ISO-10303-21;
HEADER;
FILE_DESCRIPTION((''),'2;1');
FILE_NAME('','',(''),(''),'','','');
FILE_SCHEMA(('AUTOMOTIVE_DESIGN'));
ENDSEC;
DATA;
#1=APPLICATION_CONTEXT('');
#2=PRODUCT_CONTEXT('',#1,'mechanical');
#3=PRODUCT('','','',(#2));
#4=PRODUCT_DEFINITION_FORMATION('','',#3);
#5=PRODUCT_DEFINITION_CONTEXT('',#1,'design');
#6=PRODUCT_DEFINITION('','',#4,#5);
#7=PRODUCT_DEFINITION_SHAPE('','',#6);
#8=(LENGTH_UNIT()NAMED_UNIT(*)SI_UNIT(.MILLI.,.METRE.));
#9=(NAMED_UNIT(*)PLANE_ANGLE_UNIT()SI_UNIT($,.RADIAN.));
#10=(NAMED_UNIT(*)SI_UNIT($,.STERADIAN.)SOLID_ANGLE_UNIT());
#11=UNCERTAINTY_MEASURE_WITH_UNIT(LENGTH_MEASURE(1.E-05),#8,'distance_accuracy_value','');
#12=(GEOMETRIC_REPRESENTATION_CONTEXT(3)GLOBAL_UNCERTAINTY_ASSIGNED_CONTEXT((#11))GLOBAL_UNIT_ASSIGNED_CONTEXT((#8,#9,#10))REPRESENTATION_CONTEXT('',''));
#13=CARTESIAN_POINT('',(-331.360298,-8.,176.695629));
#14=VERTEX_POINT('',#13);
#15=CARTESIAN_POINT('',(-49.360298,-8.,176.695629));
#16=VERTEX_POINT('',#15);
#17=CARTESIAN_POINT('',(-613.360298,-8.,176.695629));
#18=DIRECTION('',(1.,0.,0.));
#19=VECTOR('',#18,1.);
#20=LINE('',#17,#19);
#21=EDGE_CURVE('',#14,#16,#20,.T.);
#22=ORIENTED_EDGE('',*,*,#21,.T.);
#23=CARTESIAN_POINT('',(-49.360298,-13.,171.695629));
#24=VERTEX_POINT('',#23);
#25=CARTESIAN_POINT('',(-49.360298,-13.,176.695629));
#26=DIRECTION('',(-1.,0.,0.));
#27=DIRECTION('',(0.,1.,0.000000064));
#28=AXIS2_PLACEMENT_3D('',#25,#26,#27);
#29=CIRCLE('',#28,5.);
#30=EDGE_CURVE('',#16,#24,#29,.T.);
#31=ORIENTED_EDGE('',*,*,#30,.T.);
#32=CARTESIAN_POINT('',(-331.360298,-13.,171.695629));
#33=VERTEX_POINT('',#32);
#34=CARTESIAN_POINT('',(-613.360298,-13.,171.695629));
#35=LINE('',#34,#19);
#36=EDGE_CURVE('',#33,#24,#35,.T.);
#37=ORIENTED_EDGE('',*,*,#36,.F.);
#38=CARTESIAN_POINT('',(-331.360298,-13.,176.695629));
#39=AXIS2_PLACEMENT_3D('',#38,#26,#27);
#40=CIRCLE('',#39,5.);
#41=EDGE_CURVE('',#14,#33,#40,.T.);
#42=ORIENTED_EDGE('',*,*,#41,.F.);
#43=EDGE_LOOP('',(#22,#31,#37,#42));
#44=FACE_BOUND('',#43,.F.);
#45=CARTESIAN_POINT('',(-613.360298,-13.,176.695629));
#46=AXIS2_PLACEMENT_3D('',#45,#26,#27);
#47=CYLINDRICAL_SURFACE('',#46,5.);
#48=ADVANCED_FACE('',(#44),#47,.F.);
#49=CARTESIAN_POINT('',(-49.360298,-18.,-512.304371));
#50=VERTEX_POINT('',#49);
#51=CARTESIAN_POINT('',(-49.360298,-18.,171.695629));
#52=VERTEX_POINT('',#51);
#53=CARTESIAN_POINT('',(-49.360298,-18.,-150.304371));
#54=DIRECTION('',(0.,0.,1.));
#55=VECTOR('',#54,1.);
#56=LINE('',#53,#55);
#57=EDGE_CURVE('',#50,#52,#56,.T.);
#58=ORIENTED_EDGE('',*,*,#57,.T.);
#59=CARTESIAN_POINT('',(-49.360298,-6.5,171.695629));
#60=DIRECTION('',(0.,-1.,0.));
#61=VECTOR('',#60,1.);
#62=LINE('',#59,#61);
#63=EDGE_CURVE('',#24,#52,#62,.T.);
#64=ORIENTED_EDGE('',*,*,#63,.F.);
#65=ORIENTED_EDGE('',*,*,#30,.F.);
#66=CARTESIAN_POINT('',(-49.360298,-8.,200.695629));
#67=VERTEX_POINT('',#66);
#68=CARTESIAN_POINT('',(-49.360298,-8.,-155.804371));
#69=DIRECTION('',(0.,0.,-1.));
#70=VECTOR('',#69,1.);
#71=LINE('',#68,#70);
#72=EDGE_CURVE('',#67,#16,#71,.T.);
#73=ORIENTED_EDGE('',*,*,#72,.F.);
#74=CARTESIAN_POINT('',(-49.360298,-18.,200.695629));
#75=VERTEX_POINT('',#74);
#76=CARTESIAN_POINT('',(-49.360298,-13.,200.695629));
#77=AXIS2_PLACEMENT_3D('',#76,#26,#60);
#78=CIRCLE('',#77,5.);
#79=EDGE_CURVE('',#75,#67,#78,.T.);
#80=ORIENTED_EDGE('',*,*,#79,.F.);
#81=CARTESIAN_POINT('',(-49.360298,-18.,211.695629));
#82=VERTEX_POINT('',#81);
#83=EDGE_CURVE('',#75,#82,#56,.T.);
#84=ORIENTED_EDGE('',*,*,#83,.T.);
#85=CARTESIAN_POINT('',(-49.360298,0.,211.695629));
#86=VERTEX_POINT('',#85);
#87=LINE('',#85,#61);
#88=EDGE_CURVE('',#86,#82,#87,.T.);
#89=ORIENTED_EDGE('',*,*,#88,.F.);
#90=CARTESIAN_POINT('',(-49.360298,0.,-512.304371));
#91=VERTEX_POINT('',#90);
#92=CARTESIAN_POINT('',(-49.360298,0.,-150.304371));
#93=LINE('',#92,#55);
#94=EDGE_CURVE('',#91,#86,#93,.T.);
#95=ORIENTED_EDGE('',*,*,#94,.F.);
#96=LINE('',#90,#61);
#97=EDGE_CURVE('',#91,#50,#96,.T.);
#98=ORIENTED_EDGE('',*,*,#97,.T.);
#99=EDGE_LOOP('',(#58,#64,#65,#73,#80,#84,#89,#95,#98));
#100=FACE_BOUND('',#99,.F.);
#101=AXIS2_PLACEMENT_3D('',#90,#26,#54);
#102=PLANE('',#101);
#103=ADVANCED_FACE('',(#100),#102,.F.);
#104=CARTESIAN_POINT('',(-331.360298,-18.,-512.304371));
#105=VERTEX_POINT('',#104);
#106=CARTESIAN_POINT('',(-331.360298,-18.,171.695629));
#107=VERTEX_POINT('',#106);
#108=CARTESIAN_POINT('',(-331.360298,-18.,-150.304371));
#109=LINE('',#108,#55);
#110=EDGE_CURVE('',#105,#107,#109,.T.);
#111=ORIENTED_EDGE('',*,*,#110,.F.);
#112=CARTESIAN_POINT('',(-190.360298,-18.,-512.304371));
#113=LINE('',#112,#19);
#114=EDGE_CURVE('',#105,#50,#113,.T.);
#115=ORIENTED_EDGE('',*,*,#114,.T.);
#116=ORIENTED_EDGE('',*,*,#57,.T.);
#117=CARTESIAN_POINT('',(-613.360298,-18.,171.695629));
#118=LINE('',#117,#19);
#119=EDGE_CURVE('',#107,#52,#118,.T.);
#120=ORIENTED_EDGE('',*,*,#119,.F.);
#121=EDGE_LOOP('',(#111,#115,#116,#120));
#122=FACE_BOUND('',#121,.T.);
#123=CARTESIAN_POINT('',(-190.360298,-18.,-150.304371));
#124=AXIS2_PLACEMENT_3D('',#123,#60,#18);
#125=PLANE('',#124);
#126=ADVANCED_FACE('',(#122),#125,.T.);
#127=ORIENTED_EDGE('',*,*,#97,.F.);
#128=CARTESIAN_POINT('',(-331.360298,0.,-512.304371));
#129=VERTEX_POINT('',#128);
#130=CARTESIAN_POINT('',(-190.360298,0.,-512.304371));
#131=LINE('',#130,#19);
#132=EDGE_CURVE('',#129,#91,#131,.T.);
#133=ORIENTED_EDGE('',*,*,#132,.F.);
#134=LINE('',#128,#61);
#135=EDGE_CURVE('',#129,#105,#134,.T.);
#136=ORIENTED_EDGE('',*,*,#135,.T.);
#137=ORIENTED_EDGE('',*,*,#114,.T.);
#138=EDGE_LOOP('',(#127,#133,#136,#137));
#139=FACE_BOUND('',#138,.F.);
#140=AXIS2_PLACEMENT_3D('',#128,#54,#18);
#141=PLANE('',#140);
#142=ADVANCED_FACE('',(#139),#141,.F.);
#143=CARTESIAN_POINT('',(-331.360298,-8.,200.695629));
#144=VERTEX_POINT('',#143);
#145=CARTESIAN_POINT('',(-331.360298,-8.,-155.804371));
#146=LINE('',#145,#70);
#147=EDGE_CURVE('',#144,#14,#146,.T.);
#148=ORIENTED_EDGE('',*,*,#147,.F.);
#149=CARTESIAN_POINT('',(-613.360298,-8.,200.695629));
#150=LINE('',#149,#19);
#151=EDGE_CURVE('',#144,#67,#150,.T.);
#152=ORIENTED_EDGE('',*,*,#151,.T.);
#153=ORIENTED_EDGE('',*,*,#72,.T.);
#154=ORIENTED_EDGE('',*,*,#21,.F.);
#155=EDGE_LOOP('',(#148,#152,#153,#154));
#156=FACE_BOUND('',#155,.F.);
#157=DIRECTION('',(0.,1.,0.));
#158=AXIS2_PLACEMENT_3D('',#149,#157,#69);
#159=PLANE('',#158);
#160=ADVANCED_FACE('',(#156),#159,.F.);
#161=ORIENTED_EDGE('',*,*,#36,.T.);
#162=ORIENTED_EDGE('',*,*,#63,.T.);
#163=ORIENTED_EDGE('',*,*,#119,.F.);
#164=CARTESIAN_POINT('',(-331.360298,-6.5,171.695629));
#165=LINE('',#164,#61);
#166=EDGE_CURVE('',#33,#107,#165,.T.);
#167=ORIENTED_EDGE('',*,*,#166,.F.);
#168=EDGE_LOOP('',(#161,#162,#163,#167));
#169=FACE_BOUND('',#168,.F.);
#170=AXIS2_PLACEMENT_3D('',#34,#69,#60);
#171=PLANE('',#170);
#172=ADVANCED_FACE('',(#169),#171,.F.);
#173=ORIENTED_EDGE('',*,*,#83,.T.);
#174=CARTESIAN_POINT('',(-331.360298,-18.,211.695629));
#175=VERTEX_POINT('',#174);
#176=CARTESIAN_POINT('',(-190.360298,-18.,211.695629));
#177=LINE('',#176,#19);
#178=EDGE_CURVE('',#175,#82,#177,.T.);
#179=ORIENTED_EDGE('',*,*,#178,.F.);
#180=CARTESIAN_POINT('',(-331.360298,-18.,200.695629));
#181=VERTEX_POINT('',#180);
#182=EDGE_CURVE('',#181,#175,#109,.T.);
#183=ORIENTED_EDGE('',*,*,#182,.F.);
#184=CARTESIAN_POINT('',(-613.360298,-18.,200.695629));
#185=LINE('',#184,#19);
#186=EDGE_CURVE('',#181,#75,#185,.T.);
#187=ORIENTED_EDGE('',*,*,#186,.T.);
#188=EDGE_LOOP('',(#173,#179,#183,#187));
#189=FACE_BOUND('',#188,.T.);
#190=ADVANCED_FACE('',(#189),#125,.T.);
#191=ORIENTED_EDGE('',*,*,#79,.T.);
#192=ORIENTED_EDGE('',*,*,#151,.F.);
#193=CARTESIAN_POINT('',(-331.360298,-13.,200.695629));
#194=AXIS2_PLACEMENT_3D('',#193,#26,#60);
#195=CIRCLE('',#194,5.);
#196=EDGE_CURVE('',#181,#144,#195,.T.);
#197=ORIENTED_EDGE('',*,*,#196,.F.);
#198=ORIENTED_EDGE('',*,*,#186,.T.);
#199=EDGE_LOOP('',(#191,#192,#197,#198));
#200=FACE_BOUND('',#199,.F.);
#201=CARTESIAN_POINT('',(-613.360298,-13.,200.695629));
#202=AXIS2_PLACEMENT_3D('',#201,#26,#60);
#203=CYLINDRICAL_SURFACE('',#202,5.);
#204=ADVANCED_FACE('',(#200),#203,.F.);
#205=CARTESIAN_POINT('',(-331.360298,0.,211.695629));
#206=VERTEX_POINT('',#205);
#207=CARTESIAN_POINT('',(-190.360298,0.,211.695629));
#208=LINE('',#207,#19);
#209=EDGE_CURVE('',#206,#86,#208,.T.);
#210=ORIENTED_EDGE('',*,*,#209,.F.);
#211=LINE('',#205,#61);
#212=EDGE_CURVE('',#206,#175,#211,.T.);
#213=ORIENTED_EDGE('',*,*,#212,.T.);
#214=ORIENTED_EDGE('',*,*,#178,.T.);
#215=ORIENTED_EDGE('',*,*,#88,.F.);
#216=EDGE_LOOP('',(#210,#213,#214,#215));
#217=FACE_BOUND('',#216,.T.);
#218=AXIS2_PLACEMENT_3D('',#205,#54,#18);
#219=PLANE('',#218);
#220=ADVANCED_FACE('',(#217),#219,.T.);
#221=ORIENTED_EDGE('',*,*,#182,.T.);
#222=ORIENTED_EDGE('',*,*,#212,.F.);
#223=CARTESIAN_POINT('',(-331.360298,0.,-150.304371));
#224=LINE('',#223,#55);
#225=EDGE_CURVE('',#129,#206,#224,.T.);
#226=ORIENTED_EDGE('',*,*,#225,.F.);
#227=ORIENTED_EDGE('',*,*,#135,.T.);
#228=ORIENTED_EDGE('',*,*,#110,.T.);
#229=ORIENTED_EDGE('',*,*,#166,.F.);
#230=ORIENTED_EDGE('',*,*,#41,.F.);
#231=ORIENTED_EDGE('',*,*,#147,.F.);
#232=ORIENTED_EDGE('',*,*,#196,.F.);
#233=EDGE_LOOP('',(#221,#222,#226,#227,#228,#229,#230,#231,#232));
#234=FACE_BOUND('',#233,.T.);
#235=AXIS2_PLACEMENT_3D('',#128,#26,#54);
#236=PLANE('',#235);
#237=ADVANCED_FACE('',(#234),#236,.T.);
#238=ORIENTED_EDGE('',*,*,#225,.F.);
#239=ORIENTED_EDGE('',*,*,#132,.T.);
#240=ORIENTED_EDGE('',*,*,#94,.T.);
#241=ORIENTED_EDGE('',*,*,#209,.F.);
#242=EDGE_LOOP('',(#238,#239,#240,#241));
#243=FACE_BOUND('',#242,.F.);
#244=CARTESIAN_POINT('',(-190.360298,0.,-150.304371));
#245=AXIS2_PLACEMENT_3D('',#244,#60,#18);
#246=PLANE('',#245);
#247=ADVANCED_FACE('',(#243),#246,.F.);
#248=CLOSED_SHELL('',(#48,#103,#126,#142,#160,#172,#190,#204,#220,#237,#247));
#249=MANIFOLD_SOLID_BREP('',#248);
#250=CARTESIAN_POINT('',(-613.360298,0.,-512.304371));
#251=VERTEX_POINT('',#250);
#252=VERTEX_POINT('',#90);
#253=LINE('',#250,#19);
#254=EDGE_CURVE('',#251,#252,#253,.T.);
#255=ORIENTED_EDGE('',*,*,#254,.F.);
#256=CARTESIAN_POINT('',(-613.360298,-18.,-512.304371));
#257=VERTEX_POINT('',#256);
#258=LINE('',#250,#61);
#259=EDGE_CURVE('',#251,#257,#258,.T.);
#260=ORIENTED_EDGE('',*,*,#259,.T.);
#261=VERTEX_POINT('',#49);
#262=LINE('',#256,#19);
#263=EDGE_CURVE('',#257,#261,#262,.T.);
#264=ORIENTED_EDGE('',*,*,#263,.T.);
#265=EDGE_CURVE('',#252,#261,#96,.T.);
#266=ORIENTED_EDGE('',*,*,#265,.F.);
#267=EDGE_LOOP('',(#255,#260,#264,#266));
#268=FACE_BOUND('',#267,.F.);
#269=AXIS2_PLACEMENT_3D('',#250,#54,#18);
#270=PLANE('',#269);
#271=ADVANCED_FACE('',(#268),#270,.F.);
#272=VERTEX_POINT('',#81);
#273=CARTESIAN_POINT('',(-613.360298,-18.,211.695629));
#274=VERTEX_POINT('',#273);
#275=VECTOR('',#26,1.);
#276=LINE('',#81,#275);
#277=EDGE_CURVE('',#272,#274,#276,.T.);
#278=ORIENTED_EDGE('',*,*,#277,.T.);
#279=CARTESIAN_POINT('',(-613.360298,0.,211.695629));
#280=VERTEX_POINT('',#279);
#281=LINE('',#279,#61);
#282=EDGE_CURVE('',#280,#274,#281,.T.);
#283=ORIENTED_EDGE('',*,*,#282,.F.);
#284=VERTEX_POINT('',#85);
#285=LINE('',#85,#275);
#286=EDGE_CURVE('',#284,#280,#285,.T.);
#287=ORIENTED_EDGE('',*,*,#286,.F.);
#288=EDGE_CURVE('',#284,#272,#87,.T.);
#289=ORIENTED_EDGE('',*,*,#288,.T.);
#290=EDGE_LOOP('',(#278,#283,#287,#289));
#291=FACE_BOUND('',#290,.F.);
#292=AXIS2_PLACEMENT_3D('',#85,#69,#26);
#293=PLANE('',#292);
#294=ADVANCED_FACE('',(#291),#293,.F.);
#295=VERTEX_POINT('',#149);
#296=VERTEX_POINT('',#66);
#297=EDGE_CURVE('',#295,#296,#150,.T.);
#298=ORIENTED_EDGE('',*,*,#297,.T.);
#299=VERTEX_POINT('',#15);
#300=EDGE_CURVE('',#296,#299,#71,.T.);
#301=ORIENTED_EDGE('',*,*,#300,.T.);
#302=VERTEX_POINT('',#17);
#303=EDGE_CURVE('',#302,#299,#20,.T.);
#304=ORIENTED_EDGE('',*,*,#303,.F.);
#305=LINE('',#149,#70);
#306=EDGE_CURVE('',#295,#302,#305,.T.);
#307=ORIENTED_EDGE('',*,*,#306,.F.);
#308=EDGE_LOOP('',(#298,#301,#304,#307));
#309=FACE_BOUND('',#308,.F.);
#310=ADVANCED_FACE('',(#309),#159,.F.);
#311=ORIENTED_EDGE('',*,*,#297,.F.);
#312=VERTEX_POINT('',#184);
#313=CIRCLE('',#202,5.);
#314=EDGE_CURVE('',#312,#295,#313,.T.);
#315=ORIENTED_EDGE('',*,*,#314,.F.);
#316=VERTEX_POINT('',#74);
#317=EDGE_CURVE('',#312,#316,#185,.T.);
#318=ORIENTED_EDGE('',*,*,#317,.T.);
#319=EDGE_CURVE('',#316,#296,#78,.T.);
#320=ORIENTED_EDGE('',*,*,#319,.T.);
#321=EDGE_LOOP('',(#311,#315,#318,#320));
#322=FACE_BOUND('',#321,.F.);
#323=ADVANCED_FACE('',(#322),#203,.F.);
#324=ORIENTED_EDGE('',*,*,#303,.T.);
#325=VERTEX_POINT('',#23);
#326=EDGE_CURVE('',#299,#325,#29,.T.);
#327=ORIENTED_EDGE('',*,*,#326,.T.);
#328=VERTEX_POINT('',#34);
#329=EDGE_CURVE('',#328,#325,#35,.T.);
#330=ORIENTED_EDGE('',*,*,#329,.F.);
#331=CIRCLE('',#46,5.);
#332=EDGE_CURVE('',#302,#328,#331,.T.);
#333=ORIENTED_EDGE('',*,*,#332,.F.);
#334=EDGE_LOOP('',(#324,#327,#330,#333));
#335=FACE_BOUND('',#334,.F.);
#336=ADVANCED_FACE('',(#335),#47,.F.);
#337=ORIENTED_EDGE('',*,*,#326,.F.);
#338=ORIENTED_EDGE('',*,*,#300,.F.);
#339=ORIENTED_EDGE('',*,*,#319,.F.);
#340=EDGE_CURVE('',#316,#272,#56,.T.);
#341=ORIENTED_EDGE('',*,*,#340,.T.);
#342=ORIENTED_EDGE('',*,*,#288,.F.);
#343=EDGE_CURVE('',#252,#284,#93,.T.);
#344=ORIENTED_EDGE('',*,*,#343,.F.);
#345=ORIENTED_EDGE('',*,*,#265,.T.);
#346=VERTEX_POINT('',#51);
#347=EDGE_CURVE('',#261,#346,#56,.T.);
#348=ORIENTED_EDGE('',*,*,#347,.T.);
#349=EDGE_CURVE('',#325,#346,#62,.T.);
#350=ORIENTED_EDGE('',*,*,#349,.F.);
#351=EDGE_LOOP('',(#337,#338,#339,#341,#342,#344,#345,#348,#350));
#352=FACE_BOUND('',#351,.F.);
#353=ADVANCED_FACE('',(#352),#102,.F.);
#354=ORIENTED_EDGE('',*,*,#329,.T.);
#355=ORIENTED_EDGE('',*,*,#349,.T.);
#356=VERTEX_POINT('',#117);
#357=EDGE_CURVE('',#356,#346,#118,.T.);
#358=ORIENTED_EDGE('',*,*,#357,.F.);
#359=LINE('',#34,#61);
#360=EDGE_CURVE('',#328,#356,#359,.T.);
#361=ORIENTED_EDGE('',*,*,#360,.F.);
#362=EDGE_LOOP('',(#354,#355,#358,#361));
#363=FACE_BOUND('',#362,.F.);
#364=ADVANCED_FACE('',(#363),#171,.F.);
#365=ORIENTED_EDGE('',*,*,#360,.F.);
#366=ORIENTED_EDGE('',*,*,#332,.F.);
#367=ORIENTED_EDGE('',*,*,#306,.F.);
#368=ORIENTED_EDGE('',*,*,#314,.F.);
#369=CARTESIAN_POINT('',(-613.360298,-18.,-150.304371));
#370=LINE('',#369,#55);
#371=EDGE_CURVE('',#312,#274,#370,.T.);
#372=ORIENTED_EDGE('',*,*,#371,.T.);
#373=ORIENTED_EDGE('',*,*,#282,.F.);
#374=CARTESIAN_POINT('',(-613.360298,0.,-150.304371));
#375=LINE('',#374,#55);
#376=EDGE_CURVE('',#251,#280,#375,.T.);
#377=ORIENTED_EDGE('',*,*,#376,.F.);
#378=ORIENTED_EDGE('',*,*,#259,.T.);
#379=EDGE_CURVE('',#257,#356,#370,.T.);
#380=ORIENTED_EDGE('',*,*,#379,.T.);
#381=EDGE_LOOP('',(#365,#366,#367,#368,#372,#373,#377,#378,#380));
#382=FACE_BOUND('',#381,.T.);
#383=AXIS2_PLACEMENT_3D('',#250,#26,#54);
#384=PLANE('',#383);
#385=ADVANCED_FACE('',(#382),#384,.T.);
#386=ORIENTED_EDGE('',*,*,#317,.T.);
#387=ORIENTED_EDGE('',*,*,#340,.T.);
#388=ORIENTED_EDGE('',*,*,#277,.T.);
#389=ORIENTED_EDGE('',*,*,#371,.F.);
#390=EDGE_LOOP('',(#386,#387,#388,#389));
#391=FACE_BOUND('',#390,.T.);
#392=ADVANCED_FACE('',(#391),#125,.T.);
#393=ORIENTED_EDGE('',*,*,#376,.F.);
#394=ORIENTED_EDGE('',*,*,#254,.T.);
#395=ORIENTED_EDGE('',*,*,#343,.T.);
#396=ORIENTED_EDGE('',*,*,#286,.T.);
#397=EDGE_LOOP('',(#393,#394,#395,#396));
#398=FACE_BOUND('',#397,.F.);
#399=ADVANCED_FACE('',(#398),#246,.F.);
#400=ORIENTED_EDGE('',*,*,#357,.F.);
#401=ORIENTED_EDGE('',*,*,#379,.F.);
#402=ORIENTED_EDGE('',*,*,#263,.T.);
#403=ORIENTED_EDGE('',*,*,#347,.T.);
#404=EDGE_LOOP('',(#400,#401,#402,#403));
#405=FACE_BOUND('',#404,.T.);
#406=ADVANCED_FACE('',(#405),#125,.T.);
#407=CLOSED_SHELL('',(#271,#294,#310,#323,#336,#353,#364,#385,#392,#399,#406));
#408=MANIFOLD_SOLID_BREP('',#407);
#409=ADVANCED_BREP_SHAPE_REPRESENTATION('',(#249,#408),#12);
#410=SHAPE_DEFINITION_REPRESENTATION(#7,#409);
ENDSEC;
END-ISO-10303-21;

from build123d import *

# Parameters (mm, degrees)
F0_W     = 282
F0_H     = 724
F1_DEPTH = 18
F2_DEPTH = 18
F4_DEPTH = 661


with BuildPart() as f1:
    # F0 (on Front) → F1 (new body)
    with BuildSketch(Plane.XZ):
        with Locations((-190.360298, -150.304371)):
            Rectangle(F0_W, F0_H)
    extrude(amount=F1_DEPTH)


with BuildPart() as f2:
    # F0 (on Front) → F2 (new body)
    with BuildSketch(Plane.XZ):
        with Locations((-190.360298, -150.304371)):
            Rectangle(F0_W, F0_H)
        with Locations((-472.360298, -150.304371)):
            Rectangle(F0_W, F0_H)
    extrude(amount=F2_DEPTH)


with BuildPart() as f4_tool:
    # F3 (on face) → F4 (new body)
    with BuildSketch(Plane(origin=(-613.360298, 0, 0), x_dir=(0, -1, 0), z_dir=(-1, 0, 0))):
        with BuildLine():
            Line((13, 171.695629), (18, 171.695629))
            Line((18, 171.695629), (18, 200.695629))
            ThreePointArc((18, 200.695629), (13, 205.695629), (8, 200.695629))
            Line((8, 200.695629), (8, 176.695629))
            ThreePointArc((8, 176.695629), (9.464466, 173.160095), (13, 171.695629))
        make_face()
    extrude(amount=-F4_DEPTH)


with BuildPart() as f1_1:
    add(f1.part)

    # F4: cut by f4_tool
    add(f4_tool.part, mode=Mode.SUBTRACT)


with BuildPart() as f2_1:
    add(f2.part)

    # F4: cut by f4_tool
    add(f4_tool.part, mode=Mode.SUBTRACT)


solid = Compound([f1_1.part, f2_1.part])
